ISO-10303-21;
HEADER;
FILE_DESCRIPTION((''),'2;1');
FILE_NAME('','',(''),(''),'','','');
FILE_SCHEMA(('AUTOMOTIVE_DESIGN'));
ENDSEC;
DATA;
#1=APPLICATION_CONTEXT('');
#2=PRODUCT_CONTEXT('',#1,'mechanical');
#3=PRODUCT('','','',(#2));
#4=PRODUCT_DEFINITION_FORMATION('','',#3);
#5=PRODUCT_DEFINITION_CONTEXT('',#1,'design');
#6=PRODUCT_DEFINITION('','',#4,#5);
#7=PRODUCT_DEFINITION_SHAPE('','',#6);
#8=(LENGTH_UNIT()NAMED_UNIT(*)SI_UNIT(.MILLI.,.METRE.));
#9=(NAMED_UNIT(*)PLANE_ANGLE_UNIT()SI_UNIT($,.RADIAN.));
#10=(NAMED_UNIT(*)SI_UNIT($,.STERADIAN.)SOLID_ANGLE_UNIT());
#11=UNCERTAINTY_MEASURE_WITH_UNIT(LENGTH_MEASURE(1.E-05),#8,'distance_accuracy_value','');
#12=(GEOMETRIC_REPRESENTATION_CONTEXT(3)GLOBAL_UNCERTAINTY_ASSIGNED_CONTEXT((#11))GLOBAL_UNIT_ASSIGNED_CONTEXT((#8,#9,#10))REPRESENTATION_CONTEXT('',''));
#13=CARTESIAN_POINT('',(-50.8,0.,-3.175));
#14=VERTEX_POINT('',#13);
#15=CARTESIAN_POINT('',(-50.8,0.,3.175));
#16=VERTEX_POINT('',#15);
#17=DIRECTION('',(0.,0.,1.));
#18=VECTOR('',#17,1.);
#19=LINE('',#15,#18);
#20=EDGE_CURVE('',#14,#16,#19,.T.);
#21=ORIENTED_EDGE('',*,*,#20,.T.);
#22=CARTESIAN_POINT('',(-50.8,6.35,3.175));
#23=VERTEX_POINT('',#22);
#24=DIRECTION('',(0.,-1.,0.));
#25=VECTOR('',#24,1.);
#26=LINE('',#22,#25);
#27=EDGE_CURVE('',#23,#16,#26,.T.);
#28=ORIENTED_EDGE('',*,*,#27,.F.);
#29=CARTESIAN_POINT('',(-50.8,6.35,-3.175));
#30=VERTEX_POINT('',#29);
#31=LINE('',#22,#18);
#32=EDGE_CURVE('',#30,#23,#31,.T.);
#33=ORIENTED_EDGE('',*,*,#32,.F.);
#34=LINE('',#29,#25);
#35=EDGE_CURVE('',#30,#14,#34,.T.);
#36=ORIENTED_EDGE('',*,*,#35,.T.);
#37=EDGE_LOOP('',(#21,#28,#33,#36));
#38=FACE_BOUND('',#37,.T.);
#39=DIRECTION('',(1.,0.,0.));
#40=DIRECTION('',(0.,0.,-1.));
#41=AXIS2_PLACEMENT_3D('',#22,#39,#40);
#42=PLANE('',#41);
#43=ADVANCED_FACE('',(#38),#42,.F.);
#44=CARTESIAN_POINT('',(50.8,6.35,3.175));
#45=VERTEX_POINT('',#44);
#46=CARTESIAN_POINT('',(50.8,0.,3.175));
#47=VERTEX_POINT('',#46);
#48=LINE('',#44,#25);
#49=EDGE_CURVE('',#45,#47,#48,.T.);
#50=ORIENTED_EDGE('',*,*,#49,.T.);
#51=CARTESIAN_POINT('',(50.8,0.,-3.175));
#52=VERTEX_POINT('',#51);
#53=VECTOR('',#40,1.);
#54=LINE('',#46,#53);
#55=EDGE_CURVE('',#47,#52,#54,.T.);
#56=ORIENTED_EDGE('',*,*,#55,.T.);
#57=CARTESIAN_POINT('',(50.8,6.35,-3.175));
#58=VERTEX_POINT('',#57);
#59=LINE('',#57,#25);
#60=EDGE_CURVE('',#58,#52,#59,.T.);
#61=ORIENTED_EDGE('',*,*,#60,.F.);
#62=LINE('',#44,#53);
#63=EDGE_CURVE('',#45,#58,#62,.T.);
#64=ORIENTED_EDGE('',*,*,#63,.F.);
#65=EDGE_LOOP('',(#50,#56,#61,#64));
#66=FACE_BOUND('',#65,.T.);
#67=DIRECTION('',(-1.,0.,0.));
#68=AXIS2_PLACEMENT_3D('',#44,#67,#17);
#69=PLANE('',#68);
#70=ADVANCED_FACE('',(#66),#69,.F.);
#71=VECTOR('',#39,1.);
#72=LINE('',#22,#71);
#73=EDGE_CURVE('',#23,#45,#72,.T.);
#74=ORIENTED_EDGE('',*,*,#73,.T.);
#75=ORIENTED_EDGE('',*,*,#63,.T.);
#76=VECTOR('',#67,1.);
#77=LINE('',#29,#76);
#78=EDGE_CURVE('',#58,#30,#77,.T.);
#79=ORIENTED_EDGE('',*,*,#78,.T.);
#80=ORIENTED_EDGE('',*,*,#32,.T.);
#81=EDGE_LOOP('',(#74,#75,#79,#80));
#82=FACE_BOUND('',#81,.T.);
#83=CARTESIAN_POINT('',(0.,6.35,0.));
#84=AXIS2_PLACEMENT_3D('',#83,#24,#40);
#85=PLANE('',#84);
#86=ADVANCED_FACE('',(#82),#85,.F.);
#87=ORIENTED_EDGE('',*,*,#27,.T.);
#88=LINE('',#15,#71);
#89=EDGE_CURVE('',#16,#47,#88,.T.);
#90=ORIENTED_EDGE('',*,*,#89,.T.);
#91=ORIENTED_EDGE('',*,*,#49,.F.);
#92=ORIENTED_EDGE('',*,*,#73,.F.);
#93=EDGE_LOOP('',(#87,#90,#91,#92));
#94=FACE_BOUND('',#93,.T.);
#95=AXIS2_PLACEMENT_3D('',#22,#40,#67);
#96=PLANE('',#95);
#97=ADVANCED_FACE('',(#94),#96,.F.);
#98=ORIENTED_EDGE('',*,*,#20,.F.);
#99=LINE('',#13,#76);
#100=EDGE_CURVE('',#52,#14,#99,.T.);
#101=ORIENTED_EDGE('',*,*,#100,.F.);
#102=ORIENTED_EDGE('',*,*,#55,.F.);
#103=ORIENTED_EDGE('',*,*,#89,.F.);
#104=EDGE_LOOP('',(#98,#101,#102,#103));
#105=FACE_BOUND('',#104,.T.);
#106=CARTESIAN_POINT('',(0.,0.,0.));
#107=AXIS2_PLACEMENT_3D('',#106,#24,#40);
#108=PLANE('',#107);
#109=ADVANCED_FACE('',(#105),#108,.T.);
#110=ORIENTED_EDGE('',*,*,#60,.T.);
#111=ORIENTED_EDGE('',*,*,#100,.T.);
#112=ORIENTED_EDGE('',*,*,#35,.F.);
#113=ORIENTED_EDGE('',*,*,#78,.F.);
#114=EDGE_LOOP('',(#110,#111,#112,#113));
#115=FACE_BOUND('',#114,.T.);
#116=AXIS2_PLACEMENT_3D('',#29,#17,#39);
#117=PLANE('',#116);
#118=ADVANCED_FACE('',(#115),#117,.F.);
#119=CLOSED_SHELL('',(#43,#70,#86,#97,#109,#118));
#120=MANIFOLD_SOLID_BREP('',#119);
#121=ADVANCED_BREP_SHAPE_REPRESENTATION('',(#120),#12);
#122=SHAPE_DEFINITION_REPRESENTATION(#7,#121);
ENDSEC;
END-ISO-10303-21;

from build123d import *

# Parameters (mm, degrees)
BELT_DRIVE_AXLE_W   = 101.6
BELT_DRIVE_AXLE_H   = 6.35
BOSS_EXTRUDE1_DEPTH = 6.35


with BuildPart() as part:
    # Belt Drive Axle → Boss-Extrude1 (new body)
    with BuildSketch(Plane(origin=(0, 0, 0), x_dir=(1, 0, 0), z_dir=(0, 1, 0))):
        Rectangle(BELT_DRIVE_AXLE_W, BELT_DRIVE_AXLE_H)
    extrude(amount=BOSS_EXTRUDE1_DEPTH)


solid = part.part
